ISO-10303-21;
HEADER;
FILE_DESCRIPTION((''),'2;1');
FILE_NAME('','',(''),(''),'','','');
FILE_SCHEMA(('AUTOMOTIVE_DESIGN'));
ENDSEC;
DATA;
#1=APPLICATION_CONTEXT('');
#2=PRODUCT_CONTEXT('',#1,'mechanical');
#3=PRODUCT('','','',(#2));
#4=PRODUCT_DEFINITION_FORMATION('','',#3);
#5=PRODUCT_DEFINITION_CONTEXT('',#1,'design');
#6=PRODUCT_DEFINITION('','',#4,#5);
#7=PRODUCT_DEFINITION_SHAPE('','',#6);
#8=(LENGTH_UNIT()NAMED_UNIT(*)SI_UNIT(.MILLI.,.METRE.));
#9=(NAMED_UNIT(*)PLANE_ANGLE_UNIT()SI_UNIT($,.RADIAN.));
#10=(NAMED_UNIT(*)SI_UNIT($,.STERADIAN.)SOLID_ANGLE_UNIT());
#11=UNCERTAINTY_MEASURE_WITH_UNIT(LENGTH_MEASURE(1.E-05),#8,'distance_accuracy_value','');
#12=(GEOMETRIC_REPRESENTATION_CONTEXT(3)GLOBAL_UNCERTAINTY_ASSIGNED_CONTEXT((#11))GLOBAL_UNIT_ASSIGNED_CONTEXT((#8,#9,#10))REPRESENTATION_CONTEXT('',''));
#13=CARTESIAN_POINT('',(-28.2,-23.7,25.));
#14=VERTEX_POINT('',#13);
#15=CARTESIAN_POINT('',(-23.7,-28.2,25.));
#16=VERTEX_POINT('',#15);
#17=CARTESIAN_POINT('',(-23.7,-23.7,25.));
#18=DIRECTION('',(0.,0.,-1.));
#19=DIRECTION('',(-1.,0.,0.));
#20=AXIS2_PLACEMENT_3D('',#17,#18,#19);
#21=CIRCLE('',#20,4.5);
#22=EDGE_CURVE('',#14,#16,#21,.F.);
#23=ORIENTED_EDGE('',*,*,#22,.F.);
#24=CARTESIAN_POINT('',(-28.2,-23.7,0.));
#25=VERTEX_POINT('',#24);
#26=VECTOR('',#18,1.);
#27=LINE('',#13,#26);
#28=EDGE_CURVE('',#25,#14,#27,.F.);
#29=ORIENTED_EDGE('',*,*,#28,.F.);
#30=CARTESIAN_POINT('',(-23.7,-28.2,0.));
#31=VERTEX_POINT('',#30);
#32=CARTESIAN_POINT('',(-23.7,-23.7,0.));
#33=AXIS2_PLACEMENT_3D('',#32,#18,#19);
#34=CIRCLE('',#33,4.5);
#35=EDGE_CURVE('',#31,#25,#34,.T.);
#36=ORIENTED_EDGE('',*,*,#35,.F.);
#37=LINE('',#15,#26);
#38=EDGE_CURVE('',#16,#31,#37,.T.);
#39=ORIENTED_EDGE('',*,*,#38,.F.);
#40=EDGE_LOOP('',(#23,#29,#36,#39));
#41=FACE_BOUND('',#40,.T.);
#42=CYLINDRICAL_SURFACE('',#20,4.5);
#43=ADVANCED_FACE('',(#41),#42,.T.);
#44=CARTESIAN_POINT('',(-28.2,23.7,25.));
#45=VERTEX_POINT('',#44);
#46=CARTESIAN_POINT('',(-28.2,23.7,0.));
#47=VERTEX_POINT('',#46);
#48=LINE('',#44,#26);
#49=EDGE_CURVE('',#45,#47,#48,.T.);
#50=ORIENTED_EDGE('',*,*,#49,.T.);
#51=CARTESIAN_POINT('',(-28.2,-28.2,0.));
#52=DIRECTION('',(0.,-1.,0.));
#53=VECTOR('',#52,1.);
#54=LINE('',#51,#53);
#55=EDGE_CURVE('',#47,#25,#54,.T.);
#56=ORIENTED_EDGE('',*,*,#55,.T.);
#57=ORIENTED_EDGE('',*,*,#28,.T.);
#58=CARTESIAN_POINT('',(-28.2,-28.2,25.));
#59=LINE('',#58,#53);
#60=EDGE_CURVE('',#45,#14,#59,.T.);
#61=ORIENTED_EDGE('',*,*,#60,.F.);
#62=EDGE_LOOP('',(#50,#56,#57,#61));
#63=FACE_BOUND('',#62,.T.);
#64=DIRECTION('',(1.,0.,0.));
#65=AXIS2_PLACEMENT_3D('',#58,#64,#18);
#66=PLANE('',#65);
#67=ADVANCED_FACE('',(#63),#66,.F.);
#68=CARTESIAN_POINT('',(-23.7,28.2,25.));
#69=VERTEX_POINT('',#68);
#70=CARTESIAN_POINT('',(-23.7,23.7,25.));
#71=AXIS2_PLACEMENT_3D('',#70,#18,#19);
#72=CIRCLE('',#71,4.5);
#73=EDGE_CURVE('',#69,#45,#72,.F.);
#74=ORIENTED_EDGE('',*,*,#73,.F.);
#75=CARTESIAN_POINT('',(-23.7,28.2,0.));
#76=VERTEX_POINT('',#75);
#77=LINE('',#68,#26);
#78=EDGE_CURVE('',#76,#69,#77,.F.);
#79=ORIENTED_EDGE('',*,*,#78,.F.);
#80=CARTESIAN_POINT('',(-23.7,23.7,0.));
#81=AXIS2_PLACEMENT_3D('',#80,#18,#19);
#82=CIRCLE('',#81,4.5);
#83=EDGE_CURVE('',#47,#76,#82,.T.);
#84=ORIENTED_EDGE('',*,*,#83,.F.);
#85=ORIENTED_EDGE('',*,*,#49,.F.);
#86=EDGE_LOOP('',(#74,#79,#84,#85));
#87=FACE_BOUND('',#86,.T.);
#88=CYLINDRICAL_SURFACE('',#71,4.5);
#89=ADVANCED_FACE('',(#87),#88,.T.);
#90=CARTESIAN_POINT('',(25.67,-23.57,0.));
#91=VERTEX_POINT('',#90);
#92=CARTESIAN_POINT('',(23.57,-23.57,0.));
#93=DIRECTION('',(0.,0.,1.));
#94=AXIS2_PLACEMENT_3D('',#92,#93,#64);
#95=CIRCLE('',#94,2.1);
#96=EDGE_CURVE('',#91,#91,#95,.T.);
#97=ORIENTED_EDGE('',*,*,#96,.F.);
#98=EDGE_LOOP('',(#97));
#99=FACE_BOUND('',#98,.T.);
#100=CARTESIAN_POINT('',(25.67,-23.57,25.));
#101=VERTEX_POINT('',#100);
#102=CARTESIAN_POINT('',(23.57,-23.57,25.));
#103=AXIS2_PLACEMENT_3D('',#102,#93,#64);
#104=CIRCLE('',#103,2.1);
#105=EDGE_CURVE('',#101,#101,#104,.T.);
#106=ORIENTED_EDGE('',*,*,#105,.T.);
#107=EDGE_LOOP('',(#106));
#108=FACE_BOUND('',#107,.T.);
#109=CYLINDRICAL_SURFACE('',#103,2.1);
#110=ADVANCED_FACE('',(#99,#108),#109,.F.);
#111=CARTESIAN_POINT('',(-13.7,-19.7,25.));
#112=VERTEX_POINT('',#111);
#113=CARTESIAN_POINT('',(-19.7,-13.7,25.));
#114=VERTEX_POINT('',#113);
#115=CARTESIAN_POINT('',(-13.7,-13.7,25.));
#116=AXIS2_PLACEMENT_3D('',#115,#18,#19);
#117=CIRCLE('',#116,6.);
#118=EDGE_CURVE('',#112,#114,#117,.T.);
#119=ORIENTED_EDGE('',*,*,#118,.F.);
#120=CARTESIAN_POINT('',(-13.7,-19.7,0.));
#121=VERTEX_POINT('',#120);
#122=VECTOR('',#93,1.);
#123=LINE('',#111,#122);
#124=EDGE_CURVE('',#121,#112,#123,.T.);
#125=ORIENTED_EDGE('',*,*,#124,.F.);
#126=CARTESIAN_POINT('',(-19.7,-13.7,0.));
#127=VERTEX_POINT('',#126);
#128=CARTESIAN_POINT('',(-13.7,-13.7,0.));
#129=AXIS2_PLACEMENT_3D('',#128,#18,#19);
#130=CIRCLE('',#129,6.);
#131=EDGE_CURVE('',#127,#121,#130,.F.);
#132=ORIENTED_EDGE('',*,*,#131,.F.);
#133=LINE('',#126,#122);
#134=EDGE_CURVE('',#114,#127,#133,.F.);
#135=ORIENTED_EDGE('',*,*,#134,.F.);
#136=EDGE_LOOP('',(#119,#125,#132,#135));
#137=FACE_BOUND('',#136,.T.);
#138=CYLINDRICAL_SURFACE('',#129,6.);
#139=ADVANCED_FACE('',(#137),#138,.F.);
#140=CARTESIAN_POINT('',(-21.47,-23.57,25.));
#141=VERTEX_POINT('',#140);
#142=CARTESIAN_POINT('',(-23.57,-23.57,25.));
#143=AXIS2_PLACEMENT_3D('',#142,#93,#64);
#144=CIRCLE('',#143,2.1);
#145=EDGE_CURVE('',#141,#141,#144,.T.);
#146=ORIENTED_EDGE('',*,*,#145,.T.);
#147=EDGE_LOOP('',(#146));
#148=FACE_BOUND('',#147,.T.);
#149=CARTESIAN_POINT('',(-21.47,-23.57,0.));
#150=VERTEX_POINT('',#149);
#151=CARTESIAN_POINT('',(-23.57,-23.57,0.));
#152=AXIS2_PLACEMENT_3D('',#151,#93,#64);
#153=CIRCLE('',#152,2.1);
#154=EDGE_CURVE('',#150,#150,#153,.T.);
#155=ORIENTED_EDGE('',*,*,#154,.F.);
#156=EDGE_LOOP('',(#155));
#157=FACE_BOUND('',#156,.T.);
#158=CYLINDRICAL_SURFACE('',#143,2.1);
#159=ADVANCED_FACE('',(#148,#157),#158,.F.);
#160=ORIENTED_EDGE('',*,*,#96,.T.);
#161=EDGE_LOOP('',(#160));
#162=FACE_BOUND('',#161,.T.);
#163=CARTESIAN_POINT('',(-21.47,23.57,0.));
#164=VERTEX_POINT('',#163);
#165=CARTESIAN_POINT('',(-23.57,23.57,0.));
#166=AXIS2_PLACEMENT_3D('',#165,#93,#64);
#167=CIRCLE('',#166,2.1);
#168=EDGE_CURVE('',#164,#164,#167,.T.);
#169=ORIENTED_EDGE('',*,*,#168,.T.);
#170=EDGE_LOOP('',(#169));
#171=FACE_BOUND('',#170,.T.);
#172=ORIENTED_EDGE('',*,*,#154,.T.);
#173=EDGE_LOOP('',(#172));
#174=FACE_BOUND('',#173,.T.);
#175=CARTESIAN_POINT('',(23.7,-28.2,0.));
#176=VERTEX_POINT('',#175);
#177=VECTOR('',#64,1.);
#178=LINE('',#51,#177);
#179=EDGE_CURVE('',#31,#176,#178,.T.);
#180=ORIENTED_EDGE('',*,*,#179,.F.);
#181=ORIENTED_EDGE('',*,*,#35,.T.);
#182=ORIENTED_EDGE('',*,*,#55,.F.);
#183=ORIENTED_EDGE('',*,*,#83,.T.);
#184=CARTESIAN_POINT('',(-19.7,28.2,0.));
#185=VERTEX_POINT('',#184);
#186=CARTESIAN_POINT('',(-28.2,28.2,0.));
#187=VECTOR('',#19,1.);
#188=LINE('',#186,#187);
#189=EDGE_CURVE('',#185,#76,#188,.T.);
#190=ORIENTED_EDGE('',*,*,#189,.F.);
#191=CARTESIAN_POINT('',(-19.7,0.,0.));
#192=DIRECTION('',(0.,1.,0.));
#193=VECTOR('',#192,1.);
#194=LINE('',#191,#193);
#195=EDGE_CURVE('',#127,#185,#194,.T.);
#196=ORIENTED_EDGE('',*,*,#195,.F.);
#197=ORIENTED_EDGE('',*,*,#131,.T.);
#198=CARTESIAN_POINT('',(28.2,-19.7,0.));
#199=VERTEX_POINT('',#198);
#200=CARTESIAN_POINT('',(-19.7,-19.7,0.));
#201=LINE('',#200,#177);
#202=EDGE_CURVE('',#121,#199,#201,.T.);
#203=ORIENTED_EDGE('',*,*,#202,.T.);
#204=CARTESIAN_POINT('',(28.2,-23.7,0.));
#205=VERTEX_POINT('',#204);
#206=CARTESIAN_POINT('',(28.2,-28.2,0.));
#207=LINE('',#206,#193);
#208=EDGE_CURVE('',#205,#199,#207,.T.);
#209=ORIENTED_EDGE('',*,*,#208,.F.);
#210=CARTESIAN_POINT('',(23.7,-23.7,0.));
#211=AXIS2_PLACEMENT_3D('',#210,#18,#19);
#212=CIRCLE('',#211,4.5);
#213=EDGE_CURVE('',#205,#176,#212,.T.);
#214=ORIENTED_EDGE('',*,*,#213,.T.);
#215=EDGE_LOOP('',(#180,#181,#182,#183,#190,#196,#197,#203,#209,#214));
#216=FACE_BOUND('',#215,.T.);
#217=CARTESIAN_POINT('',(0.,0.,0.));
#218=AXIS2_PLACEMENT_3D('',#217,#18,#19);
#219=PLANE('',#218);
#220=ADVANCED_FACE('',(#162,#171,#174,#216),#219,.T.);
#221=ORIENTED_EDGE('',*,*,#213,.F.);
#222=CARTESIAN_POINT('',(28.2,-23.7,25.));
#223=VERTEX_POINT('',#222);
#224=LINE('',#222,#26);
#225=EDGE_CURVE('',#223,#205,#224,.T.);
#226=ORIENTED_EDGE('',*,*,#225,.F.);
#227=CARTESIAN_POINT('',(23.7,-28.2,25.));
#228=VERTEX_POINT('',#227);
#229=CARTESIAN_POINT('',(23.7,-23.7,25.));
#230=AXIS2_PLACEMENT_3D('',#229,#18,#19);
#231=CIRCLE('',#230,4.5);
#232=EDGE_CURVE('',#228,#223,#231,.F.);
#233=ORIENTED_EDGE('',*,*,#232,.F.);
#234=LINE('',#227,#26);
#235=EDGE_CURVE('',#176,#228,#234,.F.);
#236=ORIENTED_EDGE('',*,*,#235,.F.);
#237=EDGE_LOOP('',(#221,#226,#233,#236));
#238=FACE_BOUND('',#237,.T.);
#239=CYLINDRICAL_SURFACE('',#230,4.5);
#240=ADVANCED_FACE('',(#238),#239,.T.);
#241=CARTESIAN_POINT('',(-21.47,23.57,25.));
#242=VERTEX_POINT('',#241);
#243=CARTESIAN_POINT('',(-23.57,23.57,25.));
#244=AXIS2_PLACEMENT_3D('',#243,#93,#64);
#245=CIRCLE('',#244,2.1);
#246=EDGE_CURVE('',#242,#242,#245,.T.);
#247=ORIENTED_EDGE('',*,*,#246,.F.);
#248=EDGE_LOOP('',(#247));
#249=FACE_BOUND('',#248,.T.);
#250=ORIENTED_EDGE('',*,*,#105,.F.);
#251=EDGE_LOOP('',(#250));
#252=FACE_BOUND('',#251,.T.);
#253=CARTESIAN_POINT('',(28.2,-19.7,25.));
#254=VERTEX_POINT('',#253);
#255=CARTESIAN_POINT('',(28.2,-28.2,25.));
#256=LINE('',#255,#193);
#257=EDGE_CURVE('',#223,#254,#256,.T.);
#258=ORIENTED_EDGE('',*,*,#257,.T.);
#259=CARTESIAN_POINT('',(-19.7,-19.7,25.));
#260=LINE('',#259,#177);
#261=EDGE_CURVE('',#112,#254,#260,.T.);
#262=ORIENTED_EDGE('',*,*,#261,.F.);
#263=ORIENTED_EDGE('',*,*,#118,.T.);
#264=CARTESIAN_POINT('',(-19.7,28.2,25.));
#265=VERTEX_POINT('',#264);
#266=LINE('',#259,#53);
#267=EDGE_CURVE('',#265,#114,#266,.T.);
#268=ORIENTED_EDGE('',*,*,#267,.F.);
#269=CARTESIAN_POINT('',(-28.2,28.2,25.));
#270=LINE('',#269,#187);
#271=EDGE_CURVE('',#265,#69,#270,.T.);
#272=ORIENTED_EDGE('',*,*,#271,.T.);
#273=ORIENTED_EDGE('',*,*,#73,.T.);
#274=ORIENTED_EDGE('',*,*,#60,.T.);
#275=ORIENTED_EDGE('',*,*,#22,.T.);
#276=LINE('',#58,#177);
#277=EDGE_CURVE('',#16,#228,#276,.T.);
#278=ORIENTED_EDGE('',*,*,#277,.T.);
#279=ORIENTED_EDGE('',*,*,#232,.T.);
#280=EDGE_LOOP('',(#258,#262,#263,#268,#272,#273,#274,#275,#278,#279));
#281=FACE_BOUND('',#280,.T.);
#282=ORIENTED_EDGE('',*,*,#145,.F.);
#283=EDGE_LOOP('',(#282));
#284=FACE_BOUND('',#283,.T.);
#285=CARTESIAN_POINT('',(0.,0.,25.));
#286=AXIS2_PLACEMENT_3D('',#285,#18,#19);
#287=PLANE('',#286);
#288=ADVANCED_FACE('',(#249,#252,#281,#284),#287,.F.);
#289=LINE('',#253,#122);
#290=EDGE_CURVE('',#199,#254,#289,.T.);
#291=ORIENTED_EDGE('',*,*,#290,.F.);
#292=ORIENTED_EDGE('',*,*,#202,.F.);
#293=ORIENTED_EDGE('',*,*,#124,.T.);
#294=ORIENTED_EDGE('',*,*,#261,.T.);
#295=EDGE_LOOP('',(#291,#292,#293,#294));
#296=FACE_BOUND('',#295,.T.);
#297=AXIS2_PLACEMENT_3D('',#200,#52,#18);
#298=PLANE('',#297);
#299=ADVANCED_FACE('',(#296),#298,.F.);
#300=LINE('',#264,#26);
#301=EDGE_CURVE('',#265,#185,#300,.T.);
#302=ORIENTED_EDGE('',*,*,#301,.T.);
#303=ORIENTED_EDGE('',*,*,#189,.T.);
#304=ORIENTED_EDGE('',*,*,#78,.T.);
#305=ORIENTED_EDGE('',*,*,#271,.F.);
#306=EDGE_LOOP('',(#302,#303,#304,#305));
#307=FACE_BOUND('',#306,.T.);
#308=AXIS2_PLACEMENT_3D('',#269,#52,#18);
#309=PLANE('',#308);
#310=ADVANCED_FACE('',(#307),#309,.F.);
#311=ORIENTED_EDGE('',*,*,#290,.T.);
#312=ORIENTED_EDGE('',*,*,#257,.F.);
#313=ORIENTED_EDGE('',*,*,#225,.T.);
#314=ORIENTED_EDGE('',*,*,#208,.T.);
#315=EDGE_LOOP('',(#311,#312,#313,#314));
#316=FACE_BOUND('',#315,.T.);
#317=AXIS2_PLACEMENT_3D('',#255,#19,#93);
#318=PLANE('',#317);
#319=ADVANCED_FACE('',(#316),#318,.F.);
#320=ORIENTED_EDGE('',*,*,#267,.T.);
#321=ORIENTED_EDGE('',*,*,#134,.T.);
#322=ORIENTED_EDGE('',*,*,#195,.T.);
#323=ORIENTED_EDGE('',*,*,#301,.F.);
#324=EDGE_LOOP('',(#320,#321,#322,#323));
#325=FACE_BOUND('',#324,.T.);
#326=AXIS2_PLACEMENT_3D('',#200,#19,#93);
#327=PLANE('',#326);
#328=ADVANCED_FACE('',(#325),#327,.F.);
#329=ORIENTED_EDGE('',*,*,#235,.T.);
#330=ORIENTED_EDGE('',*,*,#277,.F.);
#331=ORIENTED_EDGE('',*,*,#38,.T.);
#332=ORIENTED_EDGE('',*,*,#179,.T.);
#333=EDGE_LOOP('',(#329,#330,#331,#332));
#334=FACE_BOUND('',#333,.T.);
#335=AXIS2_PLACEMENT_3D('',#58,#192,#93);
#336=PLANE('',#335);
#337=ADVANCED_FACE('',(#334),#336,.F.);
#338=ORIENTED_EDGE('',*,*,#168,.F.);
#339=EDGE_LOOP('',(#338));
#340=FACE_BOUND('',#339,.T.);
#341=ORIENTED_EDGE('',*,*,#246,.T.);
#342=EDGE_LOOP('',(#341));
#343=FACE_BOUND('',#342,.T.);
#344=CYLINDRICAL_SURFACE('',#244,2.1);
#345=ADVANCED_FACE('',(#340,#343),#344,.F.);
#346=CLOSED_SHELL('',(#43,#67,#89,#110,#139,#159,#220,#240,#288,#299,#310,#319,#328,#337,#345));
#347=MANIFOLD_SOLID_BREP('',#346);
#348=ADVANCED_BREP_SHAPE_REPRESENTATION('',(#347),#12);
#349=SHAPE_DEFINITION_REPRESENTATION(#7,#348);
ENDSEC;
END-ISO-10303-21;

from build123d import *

# Parameters (mm, degrees)
ESQUISSE1_W                               = 56.4
ESQUISSE1_H                               = 56.4
BOSS_EXTRU_1_DEPTH                        = 25
ESQUISSE2_W                               = 75.873546066
ESQUISSE2_H                               = 70.951609501
ENL_V_MAT_EXTRU_1_DEPTH                   = 26
TROU_POUR_TARAUDAGE_POUR_TROU_TARAUD_M5_D = 4.2
CONG_1_R                                  = 6
CONG_2_R                                  = 4.5


with BuildPart() as part:
    # Esquisse1 → Boss.-Extru.1 (new body)
    with BuildSketch(Plane.XY):
        Rectangle(ESQUISSE1_W, ESQUISSE1_H)
    extrude(amount=BOSS_EXTRU_1_DEPTH)

    # Esquisse2 → Enlèv. mat.-Extru.1 (cut, through all)
    with BuildSketch(Plane.XY.offset(25)):
        with Locations((18.236773033, 15.775804751)):
            Rectangle(ESQUISSE2_W, ESQUISSE2_H)
    extrude(amount=-ENL_V_MAT_EXTRU_1_DEPTH, mode=Mode.SUBTRACT)

    # Trou pour taraudage pour trou taraudé M51 (through all)
    with Locations(Plane.XY.offset(25)):
        with Locations((23.57, 23.57), (-23.57, -23.57), (-23.57, 23.57), (23.57, -23.57)):
            Hole(TROU_POUR_TARAUDAGE_POUR_TROU_TARAUD_M5_D / 2)

    # Congé1
    cong_1_edges = [part.edges().sort_by_distance(p)[0] for p in [
        (-19.7, -19.7, 12.5),
    ]]
    fillet(cong_1_edges, radius=CONG_1_R)

    # Congé2
    cong_2_edges = [part.edges().sort_by_distance(p)[0] for p in [
        (28.2, -28.2, 12.5),
        (-28.2, -28.2, 12.5),
        (-28.2, 28.2, 12.5),
    ]]
    fillet(cong_2_edges, radius=CONG_2_R)


solid = part.part
